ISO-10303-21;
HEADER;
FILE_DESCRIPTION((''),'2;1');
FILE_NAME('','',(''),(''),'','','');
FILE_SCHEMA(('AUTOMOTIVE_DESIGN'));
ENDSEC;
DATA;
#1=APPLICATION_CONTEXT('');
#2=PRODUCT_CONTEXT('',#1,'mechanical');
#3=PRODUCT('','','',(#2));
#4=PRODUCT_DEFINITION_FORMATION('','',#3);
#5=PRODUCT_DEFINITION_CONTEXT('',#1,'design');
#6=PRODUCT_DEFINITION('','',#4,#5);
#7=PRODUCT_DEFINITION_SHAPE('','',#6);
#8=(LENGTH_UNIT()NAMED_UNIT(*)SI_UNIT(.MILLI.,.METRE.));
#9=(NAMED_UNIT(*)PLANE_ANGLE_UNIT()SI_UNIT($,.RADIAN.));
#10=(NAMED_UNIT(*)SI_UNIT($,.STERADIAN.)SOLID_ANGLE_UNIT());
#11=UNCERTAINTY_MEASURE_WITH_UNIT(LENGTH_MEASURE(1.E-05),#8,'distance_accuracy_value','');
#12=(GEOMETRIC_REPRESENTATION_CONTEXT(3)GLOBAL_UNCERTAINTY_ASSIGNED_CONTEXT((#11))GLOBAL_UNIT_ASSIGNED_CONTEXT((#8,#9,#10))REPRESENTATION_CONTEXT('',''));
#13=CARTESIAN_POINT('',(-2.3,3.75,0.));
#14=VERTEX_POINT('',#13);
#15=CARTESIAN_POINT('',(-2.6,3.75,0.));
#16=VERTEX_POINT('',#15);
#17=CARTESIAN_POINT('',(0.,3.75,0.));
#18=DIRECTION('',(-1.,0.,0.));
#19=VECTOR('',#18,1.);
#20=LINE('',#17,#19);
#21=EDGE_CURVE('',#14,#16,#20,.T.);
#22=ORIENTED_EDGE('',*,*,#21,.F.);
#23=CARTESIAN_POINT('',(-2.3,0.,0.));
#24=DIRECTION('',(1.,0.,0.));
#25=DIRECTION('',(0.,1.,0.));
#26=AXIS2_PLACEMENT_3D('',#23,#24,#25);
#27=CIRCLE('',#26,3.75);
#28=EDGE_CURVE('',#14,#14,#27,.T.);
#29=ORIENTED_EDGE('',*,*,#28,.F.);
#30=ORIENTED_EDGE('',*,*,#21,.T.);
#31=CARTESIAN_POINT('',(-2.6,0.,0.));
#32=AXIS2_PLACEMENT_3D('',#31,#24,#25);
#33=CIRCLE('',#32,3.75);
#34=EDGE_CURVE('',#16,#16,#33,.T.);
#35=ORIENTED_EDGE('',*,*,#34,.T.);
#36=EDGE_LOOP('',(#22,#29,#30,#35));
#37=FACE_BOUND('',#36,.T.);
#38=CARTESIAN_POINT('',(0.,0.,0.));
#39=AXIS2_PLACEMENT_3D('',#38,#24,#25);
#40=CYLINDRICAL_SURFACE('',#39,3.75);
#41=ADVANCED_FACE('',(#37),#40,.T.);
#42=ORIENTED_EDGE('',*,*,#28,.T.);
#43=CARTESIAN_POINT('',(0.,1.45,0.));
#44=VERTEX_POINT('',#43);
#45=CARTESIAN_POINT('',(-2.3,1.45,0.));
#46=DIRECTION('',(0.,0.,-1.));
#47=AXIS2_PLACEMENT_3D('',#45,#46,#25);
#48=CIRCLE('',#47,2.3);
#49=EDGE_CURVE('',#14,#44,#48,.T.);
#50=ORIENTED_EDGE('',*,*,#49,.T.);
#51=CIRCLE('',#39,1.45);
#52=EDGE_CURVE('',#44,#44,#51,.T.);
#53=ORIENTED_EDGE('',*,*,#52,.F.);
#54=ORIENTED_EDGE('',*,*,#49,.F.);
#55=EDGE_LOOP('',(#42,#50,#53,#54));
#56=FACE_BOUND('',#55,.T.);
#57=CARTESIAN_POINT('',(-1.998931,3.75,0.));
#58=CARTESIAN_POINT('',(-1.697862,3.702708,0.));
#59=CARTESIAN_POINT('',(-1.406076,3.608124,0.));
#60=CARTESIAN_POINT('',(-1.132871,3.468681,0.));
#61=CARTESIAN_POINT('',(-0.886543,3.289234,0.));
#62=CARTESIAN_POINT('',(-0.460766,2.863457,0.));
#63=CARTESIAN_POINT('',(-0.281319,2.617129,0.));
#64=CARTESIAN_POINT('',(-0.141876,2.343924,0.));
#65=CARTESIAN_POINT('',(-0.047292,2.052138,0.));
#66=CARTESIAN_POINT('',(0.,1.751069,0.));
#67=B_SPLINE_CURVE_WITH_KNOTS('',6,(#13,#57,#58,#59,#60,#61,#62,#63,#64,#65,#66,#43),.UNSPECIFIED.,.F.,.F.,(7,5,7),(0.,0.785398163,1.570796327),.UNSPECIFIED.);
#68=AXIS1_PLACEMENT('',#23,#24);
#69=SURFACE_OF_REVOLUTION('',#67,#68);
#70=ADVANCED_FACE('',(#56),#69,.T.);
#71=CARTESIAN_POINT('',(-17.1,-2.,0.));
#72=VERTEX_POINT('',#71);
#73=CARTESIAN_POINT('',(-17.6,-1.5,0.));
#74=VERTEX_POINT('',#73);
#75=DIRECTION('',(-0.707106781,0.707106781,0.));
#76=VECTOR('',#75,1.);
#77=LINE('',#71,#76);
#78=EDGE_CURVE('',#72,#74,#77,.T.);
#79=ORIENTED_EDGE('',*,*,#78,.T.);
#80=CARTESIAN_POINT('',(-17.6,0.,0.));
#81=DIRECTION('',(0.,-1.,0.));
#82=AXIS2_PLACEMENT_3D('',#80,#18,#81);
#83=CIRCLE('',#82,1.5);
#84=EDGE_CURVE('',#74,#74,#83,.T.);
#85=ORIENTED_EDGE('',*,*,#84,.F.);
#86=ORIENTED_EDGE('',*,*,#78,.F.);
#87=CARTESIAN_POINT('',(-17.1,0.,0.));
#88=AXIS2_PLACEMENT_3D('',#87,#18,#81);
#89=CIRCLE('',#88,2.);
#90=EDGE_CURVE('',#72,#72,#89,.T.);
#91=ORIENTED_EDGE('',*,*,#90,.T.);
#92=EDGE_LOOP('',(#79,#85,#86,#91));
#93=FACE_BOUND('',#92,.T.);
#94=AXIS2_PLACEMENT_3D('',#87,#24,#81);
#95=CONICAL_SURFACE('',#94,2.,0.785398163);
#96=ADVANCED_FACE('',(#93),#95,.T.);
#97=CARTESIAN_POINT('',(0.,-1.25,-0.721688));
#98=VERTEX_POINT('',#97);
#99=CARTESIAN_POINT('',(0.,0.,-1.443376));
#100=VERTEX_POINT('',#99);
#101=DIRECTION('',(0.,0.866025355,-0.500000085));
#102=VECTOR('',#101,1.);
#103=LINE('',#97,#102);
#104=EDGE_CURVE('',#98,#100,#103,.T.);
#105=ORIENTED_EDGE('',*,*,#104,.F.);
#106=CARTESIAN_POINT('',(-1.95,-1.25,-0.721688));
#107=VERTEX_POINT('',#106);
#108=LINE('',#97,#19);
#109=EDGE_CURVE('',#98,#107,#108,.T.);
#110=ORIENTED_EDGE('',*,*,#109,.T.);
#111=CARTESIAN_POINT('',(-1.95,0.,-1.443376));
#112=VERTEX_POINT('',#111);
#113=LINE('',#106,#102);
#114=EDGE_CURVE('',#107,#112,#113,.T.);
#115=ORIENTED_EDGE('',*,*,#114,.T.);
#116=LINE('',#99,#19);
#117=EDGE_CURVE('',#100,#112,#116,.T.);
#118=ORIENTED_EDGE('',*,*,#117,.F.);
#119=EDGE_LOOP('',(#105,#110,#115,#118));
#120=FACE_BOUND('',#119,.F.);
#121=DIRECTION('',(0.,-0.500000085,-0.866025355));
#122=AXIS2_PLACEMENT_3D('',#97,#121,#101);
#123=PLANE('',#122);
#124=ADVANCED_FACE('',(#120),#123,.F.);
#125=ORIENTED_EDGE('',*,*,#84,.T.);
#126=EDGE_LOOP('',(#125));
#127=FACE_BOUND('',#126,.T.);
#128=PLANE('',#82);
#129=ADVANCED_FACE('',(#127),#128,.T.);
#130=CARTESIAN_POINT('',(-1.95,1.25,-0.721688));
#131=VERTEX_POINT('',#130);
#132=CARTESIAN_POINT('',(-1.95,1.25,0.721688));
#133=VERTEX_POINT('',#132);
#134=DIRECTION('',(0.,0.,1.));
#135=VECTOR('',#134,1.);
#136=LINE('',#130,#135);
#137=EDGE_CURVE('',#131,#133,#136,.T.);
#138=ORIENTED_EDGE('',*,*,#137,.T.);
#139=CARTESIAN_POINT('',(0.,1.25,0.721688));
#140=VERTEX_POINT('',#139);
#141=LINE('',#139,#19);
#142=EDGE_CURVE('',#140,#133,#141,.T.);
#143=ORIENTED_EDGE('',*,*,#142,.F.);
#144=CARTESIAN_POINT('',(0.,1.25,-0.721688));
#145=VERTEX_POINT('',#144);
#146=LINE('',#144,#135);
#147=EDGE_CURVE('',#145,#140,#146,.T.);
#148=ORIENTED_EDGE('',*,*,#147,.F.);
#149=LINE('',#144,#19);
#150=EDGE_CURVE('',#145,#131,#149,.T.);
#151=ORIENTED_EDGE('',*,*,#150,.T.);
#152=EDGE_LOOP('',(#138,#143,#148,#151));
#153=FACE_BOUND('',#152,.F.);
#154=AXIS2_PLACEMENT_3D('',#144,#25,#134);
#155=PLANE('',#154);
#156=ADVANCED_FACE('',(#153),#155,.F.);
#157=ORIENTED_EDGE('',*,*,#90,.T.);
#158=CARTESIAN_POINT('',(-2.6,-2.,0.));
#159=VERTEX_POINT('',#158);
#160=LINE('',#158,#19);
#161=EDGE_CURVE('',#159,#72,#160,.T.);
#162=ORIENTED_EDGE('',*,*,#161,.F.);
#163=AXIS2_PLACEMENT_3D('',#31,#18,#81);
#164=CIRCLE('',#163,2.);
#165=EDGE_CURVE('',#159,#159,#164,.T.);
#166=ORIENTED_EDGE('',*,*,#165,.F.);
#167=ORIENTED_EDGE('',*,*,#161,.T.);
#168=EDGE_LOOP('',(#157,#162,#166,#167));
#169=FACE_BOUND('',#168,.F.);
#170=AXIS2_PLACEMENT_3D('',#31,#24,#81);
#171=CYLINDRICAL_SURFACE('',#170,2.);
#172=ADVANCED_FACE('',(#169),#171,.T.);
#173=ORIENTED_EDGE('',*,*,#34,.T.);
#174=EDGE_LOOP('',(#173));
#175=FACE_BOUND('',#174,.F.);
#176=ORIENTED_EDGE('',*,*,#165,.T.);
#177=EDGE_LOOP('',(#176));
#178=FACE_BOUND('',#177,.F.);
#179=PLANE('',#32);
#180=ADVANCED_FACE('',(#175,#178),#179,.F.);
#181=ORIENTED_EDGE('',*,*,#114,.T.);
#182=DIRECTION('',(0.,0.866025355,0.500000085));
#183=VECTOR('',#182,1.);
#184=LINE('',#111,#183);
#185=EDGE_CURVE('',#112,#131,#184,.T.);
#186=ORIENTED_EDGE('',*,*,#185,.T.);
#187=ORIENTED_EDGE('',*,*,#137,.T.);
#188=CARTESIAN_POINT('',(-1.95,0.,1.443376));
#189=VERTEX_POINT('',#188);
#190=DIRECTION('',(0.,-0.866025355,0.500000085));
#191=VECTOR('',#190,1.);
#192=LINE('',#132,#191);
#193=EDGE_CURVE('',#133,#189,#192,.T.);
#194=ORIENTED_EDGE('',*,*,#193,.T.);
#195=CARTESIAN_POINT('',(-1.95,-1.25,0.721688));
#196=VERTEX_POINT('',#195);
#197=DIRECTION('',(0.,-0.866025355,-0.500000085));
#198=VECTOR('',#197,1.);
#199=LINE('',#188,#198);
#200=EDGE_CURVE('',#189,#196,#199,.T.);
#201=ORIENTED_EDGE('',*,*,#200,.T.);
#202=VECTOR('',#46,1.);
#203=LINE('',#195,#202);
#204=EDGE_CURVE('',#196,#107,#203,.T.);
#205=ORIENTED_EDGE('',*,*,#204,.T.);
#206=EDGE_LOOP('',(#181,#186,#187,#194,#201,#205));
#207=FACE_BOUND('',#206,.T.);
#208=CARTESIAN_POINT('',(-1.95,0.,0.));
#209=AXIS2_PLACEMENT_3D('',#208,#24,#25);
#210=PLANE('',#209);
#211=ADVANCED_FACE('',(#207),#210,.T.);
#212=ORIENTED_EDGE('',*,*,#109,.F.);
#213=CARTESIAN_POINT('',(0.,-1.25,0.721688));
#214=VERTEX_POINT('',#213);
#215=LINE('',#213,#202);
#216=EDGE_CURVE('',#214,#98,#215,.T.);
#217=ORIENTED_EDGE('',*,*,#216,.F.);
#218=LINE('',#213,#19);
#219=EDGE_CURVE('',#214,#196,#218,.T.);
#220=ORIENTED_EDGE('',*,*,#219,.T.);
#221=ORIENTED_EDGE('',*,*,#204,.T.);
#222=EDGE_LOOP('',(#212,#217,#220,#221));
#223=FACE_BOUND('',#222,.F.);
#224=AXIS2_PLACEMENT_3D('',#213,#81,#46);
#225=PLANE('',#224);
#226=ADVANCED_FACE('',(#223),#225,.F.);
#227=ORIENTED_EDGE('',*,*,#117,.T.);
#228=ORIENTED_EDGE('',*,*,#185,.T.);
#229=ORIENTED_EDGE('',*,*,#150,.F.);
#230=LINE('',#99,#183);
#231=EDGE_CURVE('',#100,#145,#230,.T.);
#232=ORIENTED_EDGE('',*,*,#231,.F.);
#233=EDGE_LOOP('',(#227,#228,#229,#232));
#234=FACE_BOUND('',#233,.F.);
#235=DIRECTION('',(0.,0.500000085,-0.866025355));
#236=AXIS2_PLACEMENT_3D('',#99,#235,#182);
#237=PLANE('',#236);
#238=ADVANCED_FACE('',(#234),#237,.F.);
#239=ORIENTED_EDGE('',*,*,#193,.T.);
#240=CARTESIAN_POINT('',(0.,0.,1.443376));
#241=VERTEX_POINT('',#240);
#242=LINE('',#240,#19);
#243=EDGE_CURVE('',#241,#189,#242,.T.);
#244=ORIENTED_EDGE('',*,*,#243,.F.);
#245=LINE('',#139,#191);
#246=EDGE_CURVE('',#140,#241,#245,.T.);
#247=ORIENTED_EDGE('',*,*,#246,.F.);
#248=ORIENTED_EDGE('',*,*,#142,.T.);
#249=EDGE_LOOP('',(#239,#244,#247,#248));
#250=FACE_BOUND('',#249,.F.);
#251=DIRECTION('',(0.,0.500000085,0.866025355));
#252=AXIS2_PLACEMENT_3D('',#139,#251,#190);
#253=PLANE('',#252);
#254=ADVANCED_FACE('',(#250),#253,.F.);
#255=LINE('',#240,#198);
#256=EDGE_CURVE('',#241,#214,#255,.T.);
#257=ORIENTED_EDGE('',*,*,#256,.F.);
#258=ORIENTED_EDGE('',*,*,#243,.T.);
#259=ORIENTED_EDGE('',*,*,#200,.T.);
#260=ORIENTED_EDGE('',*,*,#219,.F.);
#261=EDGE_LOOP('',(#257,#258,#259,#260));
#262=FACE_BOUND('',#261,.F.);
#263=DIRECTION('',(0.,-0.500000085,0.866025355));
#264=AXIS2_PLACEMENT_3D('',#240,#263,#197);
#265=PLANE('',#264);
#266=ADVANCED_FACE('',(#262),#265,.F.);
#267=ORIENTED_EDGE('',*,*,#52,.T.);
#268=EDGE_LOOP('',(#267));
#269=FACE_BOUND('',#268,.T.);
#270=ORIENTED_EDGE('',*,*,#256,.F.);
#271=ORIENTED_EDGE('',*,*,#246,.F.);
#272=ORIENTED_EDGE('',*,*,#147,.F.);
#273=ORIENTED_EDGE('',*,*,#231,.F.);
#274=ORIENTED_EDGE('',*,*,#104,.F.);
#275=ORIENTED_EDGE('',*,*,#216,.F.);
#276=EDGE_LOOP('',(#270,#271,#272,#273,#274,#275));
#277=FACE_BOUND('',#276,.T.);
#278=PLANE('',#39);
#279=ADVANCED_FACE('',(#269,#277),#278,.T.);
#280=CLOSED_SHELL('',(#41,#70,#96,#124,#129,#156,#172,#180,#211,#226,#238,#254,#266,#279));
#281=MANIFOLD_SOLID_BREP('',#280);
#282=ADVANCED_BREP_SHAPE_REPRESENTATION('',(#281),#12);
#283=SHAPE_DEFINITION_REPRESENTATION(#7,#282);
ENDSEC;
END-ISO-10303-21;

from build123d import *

# Parameters (mm, degrees)
F0_R     = 3.75
F1_DEPTH = 2.6
F2_R     = 2
F3_DEPTH = 15
F4_SIZE  = 0.5
F6_DEPTH = 1.95
F7_R     = 2.3


with BuildPart() as f1:
    # F0 (on Right) → F1 (new body)
    with BuildSketch(Plane.YZ):
        Circle(F0_R)
    extrude(amount=-F1_DEPTH)

    # F2 (on face) → F3 (join)
    with BuildSketch(Plane(origin=(-2.6, 0, 0), x_dir=(0, -1, 0), z_dir=(-1, 0, 0))):
        Circle(F2_R)
    extrude(amount=F3_DEPTH)

    # F4
    f4_edges = [f1.edges().sort_by_distance(p)[0] for p in [
        (-17.6, 2, 0),
    ]]
    chamfer(f4_edges, length=F4_SIZE)

    # F5 (on face) → F6 (cut)
    with BuildSketch(Plane.YZ):
        Polygon((0, -1.443376), (1.25, -0.721688), (1.25, 0.721688), (0, 1.443376), (-1.25, 0.721688), (-1.25, -0.721688), align=None)
    extrude(amount=-F6_DEPTH, mode=Mode.SUBTRACT)

    # F7
    f7_edges = [f1.edges().sort_by_distance(p)[0] for p in [
        (0, -3.75, 0),
    ]]
    fillet(f7_edges, radius=F7_R)


solid = f1.part
